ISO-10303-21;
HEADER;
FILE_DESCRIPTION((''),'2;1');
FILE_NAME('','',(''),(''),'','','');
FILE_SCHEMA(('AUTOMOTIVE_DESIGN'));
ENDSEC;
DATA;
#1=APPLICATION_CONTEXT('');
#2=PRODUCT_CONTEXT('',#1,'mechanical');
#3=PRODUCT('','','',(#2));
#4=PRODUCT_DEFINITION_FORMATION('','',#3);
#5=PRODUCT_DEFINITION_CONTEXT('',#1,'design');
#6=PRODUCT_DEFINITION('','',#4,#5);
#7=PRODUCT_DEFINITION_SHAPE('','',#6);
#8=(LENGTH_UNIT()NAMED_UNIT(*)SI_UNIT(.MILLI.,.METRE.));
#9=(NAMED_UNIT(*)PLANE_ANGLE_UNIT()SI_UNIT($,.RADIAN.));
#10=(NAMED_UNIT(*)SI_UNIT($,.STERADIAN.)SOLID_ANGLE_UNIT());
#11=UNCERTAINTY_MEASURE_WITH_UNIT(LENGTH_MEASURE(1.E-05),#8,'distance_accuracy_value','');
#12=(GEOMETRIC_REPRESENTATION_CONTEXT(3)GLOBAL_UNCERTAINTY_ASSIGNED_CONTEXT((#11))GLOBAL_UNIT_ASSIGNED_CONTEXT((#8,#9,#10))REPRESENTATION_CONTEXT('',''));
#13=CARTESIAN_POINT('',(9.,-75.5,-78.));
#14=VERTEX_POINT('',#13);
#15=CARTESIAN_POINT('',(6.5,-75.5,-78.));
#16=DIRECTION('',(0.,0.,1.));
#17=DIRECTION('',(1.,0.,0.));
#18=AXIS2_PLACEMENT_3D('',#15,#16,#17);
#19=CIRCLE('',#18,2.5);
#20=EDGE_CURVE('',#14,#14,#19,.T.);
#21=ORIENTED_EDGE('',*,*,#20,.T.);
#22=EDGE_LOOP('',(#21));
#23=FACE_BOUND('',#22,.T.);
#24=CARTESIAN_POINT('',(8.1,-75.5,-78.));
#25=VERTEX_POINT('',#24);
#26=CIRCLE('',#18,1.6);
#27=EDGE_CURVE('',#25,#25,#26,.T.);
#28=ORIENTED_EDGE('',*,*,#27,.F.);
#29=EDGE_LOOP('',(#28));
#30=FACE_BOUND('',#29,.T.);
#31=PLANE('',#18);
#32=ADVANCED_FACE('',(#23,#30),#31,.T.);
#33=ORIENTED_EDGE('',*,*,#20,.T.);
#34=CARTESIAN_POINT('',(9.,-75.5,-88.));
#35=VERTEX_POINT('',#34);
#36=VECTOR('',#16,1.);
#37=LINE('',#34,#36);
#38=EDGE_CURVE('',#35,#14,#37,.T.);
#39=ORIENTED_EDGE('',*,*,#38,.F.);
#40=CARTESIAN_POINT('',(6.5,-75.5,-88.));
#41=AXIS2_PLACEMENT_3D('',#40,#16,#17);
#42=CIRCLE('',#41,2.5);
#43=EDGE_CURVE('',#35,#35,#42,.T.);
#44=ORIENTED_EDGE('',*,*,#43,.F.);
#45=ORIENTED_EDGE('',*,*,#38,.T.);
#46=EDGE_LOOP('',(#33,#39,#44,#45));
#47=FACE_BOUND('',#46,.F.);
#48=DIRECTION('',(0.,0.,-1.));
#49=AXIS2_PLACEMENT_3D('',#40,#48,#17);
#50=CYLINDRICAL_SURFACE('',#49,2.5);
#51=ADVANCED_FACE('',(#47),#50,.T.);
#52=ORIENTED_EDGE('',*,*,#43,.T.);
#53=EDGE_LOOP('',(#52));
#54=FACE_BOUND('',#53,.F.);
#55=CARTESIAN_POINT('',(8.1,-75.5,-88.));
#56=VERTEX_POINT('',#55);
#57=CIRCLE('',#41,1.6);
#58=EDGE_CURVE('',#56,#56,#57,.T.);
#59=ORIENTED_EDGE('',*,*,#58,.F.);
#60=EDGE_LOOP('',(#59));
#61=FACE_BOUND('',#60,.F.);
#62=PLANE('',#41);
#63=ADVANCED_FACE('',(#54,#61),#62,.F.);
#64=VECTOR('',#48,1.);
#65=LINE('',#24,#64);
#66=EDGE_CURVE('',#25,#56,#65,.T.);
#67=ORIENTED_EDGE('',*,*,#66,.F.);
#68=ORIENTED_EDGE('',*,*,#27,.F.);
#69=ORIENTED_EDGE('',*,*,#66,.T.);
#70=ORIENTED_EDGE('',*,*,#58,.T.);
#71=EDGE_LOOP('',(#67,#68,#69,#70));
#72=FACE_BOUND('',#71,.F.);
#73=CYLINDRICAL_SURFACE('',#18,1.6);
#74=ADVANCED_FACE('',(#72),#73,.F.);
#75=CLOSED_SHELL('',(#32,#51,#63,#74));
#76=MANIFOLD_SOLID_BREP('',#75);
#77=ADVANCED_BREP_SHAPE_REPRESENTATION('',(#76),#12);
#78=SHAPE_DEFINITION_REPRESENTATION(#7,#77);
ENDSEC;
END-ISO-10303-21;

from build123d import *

# Parameters (mm, degrees)
SKETCH057_R  = 1.6
PAD023_DEPTH = 10
SKETCH056_R  = 2.5
PAD022_DEPTH = 10


with BuildPart() as pad023:
    # Sketch057 → Pad023 (new body)
    with BuildSketch(Plane.XY.offset(10)):
        Circle(SKETCH057_R)
    extrude(amount=-PAD023_DEPTH)


with BuildPart() as cut039:
    # Sketch056 → Pad022 (new body)
    with BuildSketch(Plane.XY):
        Circle(SKETCH056_R)
    extrude(amount=PAD022_DEPTH)

    # Cut039: cut Pad023
    add(pad023.part, mode=Mode.SUBTRACT)


with BuildPart() as cut039_1:
    # Cut039 placement: moved
    add(cut039.part.moved(Location((6.5, -75.5, -88))))


solid = cut039_1.part
